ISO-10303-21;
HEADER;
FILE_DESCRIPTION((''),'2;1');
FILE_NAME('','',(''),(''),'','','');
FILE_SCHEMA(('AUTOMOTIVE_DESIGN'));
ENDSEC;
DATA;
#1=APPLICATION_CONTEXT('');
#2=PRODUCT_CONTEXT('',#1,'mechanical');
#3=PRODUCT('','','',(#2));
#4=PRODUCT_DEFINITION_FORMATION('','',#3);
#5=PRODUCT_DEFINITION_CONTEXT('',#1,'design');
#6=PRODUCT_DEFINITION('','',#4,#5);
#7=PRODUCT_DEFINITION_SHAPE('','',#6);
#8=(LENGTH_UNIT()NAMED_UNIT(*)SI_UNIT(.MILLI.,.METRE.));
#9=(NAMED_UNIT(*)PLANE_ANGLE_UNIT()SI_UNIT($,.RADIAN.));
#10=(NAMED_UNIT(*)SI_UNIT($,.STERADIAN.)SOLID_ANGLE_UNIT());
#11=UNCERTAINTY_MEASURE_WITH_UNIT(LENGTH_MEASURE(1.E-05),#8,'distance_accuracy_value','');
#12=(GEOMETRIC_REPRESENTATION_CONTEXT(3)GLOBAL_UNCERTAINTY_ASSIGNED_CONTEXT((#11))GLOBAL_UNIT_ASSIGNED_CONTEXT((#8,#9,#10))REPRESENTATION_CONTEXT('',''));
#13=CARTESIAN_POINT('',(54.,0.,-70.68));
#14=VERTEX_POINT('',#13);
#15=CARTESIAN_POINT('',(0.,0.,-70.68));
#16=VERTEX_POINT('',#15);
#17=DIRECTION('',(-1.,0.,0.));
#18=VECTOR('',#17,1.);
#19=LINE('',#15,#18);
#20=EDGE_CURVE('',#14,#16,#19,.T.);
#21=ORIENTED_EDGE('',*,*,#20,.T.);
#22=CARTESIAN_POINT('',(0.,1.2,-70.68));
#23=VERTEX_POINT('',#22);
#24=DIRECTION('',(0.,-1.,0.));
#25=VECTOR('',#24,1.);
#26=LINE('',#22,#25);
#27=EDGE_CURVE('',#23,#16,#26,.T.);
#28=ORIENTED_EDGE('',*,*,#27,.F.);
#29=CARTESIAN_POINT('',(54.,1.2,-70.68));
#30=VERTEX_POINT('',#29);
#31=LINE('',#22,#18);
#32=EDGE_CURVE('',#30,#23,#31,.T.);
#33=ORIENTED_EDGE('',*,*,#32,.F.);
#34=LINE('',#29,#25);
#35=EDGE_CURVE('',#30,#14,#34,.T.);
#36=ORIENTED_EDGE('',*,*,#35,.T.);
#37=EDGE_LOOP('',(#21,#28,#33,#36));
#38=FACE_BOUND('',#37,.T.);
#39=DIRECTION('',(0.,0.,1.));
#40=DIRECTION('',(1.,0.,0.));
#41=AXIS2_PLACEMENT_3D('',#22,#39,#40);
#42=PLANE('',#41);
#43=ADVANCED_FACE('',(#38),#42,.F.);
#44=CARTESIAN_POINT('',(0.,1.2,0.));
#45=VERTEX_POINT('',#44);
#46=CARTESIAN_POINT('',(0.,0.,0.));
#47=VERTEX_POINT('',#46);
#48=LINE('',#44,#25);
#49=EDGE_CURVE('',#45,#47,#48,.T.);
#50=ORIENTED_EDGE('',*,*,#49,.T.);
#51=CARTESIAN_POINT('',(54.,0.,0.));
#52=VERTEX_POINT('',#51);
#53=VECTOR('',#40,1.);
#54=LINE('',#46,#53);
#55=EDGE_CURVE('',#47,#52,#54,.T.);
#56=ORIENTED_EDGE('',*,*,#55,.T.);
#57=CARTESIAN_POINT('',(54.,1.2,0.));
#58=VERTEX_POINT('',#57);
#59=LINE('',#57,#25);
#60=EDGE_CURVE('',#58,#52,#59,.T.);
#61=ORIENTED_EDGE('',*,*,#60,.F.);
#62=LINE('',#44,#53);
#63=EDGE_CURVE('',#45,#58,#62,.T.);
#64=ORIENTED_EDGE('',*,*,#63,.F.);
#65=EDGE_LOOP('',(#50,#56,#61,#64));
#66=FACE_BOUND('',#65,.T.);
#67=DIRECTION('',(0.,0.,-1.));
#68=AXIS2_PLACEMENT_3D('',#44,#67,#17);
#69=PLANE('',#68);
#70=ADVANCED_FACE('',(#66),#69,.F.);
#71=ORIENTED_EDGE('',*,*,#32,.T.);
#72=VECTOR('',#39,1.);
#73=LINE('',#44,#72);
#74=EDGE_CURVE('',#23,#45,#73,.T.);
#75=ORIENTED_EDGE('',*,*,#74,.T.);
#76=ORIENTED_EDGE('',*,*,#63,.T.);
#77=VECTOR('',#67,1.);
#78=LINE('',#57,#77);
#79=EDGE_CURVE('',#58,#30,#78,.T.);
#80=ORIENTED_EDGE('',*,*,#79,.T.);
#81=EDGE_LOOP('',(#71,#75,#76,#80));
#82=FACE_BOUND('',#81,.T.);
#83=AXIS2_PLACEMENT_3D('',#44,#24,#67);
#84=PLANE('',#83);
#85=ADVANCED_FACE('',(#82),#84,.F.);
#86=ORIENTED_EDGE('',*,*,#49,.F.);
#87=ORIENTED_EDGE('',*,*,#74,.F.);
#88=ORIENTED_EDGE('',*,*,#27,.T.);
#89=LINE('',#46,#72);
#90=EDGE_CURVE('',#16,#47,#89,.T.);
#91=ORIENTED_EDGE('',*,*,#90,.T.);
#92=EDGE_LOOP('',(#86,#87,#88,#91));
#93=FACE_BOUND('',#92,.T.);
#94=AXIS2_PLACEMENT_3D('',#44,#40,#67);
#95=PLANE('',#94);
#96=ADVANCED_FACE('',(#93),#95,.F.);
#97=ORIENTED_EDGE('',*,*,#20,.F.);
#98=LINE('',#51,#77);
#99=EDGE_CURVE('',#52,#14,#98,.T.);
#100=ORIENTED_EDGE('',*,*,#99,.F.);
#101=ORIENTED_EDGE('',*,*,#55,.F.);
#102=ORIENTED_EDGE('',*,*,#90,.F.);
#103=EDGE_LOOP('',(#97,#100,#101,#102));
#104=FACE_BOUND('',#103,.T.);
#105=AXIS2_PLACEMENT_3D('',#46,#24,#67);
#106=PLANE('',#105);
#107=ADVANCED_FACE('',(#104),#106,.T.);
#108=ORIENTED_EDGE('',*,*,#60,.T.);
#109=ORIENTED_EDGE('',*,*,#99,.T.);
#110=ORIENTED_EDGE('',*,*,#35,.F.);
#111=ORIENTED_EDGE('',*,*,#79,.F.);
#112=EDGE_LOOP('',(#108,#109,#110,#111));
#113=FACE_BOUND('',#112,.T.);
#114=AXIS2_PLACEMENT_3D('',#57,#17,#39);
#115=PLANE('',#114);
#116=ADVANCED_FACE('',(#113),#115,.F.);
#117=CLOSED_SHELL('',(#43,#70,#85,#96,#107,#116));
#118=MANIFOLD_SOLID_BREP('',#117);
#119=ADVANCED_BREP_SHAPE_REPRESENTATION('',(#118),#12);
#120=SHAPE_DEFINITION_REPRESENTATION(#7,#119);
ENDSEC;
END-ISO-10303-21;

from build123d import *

# Parameters (mm, degrees)
SKETCH1_W           = 54
SKETCH1_H           = 70.68
BOSS_EXTRUDE1_DEPTH = 1.2


with BuildPart() as part:
    # Sketch1 → Boss-Extrude1 (new body)
    with BuildSketch(Plane(origin=(0, 0, 0), x_dir=(1, 0, 0), z_dir=(0, 1, 0))):
        with Locations((27, 35.34)):
            Rectangle(SKETCH1_W, SKETCH1_H)
    extrude(amount=BOSS_EXTRUDE1_DEPTH)


solid = part.part
